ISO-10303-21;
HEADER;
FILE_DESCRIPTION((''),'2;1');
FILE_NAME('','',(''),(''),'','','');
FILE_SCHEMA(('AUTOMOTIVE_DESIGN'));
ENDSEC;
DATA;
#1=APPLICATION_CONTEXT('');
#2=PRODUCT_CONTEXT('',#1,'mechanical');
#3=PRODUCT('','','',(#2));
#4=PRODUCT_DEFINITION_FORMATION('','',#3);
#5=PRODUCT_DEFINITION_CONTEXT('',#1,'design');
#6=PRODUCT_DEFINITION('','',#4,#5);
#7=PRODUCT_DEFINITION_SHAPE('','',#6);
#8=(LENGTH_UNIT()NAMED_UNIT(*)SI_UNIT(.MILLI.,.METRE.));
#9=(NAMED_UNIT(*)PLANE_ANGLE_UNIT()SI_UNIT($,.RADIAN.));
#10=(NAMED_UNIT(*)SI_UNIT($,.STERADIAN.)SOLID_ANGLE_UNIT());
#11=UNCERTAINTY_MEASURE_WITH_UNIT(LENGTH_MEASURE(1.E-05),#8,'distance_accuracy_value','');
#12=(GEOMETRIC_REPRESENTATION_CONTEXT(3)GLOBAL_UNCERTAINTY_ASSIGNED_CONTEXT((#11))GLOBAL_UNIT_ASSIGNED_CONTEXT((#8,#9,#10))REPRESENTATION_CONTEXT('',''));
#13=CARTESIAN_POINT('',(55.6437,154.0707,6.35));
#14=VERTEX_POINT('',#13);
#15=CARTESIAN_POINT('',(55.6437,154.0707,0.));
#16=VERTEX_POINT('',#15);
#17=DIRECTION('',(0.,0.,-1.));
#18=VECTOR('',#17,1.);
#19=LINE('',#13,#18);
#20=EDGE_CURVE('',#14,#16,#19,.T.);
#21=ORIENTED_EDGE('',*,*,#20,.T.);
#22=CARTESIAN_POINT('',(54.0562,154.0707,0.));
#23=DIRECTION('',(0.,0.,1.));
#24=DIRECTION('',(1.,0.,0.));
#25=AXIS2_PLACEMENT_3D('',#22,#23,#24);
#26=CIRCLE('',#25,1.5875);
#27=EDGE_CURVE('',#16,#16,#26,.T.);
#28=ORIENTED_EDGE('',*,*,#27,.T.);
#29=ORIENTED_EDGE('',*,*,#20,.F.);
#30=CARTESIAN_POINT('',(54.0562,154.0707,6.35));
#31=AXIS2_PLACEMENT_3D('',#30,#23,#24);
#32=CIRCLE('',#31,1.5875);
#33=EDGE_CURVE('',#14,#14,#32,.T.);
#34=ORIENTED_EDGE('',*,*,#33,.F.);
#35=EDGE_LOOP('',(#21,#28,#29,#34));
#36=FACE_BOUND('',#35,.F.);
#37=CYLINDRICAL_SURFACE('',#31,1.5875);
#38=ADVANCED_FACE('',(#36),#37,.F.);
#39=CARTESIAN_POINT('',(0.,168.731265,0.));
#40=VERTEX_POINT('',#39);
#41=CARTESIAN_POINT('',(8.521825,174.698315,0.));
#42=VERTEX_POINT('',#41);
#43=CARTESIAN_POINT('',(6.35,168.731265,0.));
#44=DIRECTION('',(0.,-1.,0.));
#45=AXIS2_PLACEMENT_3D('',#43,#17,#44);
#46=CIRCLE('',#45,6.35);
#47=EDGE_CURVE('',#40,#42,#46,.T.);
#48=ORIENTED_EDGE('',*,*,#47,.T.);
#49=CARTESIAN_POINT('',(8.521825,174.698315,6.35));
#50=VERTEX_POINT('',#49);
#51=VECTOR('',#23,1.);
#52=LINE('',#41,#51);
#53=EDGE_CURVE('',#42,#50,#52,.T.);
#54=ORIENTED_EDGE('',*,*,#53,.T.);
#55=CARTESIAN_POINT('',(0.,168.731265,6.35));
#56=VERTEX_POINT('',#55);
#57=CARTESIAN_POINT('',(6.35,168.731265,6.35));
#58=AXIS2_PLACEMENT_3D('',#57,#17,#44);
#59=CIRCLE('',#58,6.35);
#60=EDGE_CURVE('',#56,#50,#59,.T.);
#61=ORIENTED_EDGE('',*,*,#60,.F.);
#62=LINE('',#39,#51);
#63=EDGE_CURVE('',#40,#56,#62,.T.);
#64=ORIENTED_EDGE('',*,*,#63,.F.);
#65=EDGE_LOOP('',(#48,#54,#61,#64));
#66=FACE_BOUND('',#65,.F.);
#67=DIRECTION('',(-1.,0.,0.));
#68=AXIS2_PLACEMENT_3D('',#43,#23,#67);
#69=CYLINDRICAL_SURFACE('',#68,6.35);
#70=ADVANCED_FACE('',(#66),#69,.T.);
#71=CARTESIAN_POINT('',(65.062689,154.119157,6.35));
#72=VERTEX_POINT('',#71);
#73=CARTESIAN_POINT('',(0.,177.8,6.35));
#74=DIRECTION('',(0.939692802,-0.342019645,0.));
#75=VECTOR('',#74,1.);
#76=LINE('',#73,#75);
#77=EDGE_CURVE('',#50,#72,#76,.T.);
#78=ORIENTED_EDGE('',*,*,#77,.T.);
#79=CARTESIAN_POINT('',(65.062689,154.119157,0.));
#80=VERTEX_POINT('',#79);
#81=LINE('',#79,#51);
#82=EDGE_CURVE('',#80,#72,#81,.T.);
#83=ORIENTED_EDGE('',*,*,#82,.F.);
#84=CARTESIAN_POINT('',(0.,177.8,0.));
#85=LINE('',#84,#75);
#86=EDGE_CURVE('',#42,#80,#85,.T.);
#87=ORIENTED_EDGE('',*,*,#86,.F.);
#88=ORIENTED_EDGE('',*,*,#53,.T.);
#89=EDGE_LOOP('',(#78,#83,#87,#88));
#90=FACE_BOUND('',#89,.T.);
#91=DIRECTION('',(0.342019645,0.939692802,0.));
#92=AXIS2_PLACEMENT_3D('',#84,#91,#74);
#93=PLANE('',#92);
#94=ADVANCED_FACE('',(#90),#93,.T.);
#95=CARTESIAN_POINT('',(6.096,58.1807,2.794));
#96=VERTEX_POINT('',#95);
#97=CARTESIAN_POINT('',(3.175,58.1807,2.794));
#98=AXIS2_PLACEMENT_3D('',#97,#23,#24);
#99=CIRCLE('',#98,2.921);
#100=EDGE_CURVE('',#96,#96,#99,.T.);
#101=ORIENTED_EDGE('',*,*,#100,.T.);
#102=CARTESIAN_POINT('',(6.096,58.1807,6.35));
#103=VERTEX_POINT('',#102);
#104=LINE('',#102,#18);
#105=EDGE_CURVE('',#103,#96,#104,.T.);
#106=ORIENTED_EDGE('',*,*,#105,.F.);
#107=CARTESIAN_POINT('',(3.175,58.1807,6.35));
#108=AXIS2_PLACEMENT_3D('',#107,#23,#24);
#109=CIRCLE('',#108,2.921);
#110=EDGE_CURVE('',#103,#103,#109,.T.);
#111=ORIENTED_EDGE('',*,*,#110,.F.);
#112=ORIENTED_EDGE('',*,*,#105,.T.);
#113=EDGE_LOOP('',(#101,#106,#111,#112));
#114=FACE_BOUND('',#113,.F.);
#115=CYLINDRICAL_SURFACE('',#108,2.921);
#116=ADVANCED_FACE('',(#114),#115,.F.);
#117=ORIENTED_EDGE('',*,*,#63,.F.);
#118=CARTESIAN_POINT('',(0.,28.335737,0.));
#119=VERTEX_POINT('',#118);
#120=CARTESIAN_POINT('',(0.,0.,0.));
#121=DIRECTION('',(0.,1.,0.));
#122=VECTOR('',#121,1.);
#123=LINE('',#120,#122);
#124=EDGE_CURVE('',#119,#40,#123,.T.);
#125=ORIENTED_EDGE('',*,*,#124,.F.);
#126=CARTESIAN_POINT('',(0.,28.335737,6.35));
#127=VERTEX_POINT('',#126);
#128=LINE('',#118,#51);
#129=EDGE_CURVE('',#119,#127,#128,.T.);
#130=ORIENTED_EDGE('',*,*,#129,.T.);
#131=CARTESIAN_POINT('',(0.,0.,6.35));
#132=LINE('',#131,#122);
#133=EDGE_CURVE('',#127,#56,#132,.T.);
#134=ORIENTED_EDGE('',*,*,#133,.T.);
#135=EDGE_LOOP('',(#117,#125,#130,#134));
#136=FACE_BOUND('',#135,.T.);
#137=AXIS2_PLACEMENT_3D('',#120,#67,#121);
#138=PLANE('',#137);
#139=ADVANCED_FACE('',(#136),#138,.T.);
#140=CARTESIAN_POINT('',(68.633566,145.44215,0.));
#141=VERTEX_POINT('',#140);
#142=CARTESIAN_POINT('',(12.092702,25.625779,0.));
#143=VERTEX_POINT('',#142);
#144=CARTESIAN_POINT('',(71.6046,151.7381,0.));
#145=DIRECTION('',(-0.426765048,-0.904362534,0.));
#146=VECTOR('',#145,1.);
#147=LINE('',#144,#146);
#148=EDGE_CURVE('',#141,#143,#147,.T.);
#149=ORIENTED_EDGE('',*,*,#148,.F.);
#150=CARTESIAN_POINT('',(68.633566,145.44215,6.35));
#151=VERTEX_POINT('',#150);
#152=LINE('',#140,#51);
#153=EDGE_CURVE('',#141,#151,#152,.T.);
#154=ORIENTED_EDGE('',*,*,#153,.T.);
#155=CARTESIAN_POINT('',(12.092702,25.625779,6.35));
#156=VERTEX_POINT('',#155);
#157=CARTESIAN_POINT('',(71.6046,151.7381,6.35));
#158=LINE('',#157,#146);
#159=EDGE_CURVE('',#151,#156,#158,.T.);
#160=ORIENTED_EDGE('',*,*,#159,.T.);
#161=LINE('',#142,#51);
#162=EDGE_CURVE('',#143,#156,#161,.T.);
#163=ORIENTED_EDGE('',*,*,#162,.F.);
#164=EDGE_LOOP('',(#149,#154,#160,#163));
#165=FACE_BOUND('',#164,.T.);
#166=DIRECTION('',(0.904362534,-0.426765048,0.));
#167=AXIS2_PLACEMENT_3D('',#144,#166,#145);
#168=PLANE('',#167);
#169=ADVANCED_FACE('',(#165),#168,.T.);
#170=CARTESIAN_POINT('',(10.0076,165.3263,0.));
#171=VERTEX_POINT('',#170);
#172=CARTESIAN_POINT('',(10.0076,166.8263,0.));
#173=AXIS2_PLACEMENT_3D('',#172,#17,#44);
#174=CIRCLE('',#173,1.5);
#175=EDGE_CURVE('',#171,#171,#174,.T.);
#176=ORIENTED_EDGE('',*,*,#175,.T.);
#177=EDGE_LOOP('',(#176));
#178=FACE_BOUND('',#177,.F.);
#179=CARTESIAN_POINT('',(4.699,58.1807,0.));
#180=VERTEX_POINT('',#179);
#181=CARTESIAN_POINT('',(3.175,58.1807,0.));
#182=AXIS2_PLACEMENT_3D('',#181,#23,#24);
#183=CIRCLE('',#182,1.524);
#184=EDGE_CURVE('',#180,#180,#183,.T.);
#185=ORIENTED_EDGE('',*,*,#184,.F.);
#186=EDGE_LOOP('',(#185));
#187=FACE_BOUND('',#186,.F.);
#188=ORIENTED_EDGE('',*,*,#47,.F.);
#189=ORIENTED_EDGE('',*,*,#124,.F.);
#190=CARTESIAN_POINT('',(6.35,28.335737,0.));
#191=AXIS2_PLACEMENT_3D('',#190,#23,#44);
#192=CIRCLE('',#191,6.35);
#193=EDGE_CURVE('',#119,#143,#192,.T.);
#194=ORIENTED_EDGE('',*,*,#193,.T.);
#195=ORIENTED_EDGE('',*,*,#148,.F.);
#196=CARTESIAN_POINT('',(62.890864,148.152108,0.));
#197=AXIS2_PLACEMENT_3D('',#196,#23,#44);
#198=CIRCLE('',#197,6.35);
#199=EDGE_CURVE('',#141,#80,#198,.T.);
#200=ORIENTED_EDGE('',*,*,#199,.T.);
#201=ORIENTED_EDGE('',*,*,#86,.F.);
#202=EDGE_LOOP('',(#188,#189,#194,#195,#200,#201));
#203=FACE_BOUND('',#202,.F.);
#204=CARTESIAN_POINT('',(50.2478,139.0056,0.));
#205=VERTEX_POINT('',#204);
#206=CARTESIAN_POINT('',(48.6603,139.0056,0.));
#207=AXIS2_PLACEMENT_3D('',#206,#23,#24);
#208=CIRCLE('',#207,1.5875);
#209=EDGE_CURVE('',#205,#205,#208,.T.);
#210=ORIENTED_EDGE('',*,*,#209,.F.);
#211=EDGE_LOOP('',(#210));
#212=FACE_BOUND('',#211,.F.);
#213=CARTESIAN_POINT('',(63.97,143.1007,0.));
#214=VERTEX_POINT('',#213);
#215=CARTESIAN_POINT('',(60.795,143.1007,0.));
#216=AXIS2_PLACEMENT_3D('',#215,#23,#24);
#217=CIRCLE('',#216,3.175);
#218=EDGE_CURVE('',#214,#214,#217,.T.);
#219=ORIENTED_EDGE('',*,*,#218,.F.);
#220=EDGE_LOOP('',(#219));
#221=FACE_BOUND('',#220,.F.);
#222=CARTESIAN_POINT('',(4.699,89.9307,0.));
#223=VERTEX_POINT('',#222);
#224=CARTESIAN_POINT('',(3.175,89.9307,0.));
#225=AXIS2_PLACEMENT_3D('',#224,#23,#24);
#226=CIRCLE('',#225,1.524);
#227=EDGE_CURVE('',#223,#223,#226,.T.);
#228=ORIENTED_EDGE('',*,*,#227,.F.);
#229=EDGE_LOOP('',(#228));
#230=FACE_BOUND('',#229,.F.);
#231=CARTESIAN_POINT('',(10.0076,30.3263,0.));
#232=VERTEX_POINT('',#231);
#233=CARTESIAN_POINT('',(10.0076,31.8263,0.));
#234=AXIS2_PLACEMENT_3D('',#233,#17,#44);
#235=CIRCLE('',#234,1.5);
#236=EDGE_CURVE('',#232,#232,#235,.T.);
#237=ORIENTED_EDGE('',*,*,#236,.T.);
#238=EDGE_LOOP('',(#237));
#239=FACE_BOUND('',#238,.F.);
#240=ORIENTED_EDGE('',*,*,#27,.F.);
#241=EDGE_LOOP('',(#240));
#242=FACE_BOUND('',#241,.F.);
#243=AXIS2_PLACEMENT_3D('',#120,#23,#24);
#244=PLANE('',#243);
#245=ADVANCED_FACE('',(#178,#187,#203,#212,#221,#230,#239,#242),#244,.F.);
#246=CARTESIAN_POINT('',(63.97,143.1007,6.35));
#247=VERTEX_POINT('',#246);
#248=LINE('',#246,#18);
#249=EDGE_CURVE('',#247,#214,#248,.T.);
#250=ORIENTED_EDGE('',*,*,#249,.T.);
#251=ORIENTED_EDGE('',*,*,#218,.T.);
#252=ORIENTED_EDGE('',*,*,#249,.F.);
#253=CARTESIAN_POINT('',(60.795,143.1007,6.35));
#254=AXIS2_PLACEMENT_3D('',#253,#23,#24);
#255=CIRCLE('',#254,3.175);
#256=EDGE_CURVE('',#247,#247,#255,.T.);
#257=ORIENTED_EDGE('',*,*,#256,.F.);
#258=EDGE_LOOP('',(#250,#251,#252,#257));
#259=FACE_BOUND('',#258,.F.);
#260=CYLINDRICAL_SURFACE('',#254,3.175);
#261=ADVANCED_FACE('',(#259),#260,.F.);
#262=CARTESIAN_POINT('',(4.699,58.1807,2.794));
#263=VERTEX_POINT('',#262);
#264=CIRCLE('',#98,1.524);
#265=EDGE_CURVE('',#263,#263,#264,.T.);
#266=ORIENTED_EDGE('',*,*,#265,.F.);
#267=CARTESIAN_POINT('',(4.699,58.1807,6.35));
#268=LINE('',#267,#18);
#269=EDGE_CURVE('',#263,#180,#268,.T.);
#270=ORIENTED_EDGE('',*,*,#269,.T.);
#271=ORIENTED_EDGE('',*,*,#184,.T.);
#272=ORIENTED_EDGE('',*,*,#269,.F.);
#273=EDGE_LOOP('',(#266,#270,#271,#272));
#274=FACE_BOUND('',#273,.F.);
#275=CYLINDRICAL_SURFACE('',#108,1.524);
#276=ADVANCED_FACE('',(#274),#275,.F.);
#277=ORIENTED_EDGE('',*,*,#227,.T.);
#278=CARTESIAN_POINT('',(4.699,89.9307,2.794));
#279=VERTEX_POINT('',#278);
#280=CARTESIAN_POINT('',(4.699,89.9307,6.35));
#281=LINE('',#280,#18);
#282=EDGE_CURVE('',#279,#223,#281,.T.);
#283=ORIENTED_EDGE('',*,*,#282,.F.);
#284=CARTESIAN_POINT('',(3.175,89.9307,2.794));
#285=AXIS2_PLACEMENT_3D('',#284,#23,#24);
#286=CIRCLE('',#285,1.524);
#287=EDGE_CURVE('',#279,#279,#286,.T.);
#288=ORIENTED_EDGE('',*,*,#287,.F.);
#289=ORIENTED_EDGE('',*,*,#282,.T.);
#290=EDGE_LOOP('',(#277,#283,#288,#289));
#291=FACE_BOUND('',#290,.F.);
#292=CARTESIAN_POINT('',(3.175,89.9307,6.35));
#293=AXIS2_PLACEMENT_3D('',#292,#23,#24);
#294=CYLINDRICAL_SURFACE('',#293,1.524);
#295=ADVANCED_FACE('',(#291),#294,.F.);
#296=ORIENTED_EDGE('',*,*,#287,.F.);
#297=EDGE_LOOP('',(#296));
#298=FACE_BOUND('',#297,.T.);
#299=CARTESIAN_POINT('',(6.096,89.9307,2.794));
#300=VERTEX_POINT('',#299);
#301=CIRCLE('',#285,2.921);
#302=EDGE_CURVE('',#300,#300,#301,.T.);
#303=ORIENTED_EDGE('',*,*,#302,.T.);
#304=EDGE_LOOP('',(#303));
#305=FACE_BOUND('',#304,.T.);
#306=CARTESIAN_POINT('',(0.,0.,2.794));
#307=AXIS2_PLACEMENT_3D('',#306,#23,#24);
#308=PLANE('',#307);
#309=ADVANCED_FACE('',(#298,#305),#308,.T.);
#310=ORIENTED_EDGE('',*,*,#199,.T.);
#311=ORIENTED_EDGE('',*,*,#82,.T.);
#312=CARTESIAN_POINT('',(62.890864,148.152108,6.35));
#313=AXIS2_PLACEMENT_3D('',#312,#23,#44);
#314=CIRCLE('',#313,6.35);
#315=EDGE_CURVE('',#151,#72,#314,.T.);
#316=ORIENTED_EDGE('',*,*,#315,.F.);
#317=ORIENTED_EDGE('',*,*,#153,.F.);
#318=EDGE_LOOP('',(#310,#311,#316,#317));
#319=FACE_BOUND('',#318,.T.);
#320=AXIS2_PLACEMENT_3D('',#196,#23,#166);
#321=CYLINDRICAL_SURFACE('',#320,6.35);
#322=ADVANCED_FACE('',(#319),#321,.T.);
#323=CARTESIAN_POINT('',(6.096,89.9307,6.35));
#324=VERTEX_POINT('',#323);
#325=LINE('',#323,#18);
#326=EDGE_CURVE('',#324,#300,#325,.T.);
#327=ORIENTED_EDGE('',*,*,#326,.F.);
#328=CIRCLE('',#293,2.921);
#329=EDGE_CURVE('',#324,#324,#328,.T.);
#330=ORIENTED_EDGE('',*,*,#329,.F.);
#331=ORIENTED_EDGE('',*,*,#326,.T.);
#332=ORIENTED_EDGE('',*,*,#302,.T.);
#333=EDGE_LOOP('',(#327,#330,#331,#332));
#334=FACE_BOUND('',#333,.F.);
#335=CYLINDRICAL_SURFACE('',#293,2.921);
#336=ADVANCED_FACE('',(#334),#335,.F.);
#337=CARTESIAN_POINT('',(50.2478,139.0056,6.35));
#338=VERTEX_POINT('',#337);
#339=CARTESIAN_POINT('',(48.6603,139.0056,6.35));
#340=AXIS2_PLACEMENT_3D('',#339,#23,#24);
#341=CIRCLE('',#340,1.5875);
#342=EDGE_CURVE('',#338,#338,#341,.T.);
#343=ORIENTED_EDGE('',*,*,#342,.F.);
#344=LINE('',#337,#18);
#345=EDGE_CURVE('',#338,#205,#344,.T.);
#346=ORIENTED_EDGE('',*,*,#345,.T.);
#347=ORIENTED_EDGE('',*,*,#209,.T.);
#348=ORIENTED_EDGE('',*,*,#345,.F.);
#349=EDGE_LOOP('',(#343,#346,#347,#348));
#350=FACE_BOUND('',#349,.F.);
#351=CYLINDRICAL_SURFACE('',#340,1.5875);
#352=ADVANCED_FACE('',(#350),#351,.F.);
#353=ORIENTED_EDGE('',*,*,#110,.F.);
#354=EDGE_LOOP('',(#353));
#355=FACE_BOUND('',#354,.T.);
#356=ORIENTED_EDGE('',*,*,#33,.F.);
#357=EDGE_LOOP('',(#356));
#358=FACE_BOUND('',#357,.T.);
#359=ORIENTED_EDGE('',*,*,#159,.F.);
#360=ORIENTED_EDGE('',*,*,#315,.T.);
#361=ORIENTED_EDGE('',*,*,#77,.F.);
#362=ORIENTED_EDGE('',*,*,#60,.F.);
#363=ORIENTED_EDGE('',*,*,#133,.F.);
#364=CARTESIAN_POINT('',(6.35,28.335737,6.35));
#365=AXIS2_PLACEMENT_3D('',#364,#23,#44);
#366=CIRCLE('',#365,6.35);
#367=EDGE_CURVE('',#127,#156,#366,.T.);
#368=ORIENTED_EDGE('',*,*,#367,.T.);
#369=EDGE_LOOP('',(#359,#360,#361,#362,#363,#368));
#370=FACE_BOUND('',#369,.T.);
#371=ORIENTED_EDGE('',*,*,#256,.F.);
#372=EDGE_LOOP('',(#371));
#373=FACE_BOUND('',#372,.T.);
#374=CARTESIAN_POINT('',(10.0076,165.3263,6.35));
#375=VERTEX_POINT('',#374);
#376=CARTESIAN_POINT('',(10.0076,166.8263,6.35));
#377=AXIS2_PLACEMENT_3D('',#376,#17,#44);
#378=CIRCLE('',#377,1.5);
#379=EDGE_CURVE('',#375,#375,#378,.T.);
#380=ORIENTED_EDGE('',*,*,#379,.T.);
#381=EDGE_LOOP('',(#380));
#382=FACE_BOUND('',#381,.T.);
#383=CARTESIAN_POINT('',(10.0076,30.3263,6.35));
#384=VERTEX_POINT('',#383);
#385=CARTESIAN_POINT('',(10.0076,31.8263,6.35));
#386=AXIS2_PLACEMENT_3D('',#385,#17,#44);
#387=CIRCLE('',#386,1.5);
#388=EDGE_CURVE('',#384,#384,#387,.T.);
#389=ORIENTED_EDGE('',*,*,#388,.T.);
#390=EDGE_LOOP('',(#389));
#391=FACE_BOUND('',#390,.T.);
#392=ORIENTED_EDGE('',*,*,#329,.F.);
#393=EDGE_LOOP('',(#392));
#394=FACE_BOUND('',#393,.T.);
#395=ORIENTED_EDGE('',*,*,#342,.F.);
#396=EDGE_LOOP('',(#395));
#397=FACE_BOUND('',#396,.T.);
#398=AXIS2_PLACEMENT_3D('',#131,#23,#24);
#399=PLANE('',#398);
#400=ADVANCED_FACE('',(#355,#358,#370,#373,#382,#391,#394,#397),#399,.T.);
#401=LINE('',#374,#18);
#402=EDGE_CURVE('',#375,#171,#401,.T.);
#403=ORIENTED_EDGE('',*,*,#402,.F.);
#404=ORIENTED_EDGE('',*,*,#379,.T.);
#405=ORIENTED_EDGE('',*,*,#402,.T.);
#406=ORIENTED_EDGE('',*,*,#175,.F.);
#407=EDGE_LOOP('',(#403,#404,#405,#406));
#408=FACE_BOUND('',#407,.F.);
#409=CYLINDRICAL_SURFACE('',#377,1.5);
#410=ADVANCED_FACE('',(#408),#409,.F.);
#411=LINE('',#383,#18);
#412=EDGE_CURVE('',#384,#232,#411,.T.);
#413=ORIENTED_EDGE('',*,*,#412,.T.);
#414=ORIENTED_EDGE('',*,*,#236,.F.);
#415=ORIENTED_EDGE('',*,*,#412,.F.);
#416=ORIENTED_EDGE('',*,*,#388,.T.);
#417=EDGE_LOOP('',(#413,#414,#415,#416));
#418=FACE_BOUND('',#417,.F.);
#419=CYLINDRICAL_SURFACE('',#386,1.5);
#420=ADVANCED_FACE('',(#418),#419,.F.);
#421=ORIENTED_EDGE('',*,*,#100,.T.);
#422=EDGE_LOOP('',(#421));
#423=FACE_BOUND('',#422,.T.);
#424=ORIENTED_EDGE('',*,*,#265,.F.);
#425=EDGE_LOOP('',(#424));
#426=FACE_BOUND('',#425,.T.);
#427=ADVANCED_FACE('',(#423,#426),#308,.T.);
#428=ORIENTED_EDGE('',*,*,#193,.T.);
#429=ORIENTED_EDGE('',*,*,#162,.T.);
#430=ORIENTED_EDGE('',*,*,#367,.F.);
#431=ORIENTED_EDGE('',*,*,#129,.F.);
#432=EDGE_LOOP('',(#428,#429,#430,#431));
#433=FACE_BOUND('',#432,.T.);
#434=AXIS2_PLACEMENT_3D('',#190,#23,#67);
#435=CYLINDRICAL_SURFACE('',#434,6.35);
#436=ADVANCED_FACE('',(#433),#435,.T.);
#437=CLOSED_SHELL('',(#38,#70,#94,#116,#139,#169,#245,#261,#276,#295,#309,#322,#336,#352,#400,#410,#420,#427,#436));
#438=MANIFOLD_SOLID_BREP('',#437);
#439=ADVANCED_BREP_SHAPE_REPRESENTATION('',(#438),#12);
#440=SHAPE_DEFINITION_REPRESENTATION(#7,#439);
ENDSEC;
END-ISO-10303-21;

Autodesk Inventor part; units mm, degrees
ref_plane "YZ Plane" through (0, 0, 0) normal (1, 0, 0) x (0, 1, 0)
ref_plane "XZ Plane" through (0, 0, 0) normal (0, 1, 0) x (-1, 0, 0)
ref_plane "XY Plane" through (0, 0, 0) normal (0, 0, 1) x (1, 0, 0)
sketch "Sketch1" plane through (0, 0, 0) normal (0, 0, 1) x (1, 0, 0)
  line L0 (0, 0) -> (0, 177.8)
  line L1 (0, 0) -> (53.8815, 0) construction
  line L2 (0, 177.8) -> (71.6046, 151.7381)
  line L3 (0, 177.8) -> (76.2, 177.8) construction
  line L4 (71.6046, 151.7381) -> (0, 0)
  dimension "d0" = 177.8
  dimension "d19" = 76.2
  dimension "d20" = 20
extrude "Extrusion1" add sketch "Sketch1" along normal blind 6.35
fillet "Fillet1" radius 6.35 2 edges at (0, 177.8, 3.175) (0, 0, 3.175)
fillet "Fillet4" radius 6.35 1 edges at (71.6046, 151.7381, 3.175)
sketch "Sketch3" plane through (0, 0, 6.35) normal (0, 0, 1) x (1, 0, 0)
  circle A0 centre (3.175, 58.1807) radius 1.524
  circle A1 centre (3.175, 89.9307) radius 1.524
  line L0 (0, 168.7313) -> (0, 28.3357) projected
  point P0 (0, 0)
  dimension "d22" = 3.048
  dimension "d23" = 3.048
  dimension "d24" = 3.175
  dimension "d25" = 3.175
  dimension "d26" = 29.845
  dimension "d27" = 31.75
extrude "Extrusion3" cut sketch "Sketch3" against normal through all
sketch "Sketch4" plane through (0, 0, 6.35) normal (0, 0, 1) x (1, 0, 0)
  circle A0 centre (3.175, 58.1807) radius 1.524 projected
  circle A1 centre (3.175, 58.1807) radius 2.921
  circle A2 centre (3.175, 89.9307) radius 1.524 projected
  circle A3 centre (3.175, 89.9307) radius 2.921
  point P0 (0, 0)
  dimension "d30" = 5.842
  dimension "d31" = 5.842
extrude "Extrusion4" cut sketch "Sketch4" against normal blind 3.556
sketch "Sketch5" plane through (0, 0, 6.35) normal (0, 0, 1) x (1, 0, 0)
  circle A0 centre (60.795, 143.1007) radius 3.175
  point P0 (0, 0)
  point P1 (8.5218, 174.6983)
  dimension "d34" = 6.35
  dimension "d35" = 52.2732
  dimension "d36" = 31.5976
extrude "Extrusion5" cut sketch "Sketch5" against normal through all
sketch "Sketch6" plane through (0, 0, 6.35) normal (0, 0, 1) x (1, 0, 0)
  line L0 (0, 168.7313) -> (0, 28.3357) projected
  arc A0 (8.5218, 174.6983) -> (0, 168.7313) centre (6.35, 168.7313) ccw projected
  point P0 (0, 0)
  point P1 (10.0076, 166.8263)
  point P2 (10.0076, 31.8263)
  dimension "d39" = 10.0076
  dimension "d40" = 1.905
  dimension "d41" = 136.905
  dimension "d42" = 0
hole "Hole1" at (10.0076, 31.8263, 6.35) at (10.0076, 166.8263, 6.35) direction (0, 0, -1) diameter 3 end through all
sketch "Sketch7" plane through (0, 0, 6.35) normal (0, 0, 1) x (1, 0, 0)
  line L0 (65.0627, 154.1191) -> (8.5218, 174.6983) projected
  line L1 (12.0927, 25.6258) -> (68.6335, 145.4421) projected
  circle A0 centre (48.6603, 139.0056) radius 1.5875
  circle A1 centre (54.0562, 154.0707) radius 1.5875
  point P0 (0, 0)
  dimension "d52" = 3.81
  dimension "d53" = 19.812
  dimension "d54" = 15.3162
  dimension "d55" = 16.8656
  dimension "d56" = 3.175
  dimension "d57" = 3.175
extrude "Extrusion6" cut sketch "Sketch7" against normal through all
equation "\"d22\" = d23"
properties part number "Triangle axle slide connector"
